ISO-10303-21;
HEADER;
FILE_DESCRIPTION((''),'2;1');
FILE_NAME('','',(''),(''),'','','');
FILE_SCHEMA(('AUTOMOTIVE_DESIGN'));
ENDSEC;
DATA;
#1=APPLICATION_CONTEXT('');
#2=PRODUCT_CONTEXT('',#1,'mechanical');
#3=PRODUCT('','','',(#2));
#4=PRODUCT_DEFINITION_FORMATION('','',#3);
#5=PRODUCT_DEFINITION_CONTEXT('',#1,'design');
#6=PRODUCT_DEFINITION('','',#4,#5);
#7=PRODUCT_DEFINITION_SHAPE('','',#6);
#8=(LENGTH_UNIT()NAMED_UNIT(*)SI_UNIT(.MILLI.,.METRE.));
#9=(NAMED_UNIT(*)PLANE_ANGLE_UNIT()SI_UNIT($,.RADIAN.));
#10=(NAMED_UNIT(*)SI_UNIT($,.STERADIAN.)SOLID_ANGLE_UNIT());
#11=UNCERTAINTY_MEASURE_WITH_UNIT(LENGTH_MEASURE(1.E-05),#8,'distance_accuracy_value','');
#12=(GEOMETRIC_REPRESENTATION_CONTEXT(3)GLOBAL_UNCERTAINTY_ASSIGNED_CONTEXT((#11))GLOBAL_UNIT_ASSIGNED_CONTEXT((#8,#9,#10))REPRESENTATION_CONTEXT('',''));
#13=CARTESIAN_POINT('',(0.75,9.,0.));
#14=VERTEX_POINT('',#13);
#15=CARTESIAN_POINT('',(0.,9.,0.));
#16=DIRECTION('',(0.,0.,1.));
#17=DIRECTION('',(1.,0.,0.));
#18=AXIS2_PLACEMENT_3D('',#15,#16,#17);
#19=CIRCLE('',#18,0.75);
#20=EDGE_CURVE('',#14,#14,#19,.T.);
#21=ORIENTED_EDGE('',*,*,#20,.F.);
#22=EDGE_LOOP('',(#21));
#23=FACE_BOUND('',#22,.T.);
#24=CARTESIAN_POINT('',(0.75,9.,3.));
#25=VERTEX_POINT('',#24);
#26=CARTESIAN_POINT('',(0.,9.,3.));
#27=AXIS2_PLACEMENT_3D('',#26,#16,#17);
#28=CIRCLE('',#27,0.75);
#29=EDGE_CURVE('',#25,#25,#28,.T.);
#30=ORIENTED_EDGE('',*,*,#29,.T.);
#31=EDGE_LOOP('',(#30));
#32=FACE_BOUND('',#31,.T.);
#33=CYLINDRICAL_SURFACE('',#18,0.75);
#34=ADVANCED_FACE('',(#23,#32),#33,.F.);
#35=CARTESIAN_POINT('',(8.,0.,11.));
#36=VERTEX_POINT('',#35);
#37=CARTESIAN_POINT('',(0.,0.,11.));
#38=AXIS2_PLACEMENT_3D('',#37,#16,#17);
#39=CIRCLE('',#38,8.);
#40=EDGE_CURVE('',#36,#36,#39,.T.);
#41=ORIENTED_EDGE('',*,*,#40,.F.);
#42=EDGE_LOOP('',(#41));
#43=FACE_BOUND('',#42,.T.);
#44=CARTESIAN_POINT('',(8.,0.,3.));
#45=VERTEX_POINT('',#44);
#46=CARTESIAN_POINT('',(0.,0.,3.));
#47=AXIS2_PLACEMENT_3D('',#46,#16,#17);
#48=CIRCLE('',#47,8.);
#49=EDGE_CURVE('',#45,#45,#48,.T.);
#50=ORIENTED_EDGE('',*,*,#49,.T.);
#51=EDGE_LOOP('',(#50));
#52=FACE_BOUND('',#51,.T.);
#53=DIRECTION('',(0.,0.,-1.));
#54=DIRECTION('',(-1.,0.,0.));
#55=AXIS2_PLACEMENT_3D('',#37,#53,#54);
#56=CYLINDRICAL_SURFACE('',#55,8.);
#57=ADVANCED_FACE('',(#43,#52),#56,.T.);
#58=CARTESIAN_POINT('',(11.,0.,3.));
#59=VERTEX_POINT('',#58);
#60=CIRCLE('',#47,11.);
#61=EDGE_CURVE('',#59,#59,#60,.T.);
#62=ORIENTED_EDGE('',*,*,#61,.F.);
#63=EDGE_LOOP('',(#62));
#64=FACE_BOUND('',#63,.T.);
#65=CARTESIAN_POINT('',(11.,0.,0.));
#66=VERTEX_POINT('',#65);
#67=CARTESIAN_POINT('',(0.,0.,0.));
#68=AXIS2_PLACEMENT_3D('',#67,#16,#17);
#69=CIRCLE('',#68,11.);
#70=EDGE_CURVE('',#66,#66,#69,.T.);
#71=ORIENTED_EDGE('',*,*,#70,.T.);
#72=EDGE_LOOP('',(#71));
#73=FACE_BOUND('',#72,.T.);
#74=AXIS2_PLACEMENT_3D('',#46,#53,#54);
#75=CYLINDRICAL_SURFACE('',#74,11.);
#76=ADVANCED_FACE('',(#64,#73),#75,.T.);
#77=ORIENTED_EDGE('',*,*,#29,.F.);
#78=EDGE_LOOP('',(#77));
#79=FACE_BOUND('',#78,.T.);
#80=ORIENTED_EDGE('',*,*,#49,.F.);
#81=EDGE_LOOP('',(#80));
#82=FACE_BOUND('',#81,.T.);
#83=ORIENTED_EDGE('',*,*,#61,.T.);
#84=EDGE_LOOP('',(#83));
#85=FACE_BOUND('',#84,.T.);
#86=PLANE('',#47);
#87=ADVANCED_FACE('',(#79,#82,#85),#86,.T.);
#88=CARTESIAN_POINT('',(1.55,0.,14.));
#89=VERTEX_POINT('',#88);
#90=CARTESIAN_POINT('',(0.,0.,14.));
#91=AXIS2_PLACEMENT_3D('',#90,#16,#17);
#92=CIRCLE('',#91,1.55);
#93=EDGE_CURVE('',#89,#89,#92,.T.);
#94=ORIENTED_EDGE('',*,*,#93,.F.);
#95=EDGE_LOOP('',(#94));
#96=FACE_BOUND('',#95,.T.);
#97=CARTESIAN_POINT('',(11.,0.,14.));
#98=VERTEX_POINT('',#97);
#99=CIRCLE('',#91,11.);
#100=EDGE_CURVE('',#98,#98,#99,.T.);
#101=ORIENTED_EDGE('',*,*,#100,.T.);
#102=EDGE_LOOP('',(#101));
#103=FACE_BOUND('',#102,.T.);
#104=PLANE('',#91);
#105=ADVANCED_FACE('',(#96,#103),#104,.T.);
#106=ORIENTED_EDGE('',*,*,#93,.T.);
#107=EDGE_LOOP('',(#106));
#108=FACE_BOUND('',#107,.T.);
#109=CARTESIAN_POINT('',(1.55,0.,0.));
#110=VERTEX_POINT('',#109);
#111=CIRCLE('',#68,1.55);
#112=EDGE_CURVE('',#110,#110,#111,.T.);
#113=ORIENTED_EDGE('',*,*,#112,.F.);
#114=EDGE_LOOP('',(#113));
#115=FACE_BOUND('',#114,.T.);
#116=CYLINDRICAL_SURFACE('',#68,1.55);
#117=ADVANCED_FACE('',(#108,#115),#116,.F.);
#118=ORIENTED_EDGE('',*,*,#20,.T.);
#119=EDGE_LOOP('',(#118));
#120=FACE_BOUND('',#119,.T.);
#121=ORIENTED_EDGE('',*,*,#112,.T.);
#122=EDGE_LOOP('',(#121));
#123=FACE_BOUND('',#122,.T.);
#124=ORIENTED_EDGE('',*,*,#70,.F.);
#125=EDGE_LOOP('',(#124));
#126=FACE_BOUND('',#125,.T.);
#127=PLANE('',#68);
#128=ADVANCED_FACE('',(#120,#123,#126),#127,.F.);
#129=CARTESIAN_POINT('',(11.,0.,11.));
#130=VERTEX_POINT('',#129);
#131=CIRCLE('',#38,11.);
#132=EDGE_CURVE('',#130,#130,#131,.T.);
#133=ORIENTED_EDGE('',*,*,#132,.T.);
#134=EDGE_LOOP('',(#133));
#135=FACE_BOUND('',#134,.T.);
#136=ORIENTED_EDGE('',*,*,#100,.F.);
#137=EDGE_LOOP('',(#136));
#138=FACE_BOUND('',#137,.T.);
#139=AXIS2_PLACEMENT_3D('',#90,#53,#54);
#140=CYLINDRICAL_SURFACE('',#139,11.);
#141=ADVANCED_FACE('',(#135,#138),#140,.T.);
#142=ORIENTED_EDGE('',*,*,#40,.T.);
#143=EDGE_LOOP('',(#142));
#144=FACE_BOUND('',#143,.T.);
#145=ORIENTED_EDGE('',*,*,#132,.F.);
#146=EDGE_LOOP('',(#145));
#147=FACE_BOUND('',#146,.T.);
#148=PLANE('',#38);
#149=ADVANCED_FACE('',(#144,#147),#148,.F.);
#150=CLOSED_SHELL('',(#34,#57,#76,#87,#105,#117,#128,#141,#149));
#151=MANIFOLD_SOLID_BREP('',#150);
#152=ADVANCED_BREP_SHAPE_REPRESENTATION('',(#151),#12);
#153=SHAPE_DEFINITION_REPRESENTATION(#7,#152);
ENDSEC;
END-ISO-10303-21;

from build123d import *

# Parameters (mm, degrees)
SKETCH1_R           = 11
BOSS_EXTRUDE1_DEPTH = 3
SKETCH2_R           = 8
BOSS_EXTRUDE2_DEPTH = 8
SKETCH3_R           = 11
BOSS_EXTRUDE3_DEPTH = 3
SKETCH4_R           = 1.55
CUT_EXTRUDE1_DEPTH  = 15
SKETCH5_R           = 0.75
CUT_EXTRUDE2_DEPTH  = 4


with BuildPart() as part:
    # Sketch1 → Boss-Extrude1 (new body)
    with BuildSketch(Plane.XY):
        Circle(SKETCH1_R)
    extrude(amount=BOSS_EXTRUDE1_DEPTH)

    # Sketch2 → Boss-Extrude2 (add)
    with BuildSketch(Plane.XY.offset(3)):
        Circle(SKETCH2_R)
    extrude(amount=BOSS_EXTRUDE2_DEPTH)

    # Sketch3 → Boss-Extrude3 (add)
    with BuildSketch(Plane.XY.offset(11)):
        Circle(SKETCH3_R)
    extrude(amount=BOSS_EXTRUDE3_DEPTH)

    # Sketch4 → Cut-Extrude1 (cut, through all)
    with BuildSketch(Plane.XY.offset(14)):
        Circle(SKETCH4_R)
    extrude(amount=-CUT_EXTRUDE1_DEPTH, mode=Mode.SUBTRACT)

    # Sketch5 → Cut-Extrude2 (cut, through all)
    with BuildSketch(Plane.XY.offset(3)):
        with Locations((0, 9)):
            Circle(SKETCH5_R)
    extrude(amount=-CUT_EXTRUDE2_DEPTH, mode=Mode.SUBTRACT)


solid = part.part
